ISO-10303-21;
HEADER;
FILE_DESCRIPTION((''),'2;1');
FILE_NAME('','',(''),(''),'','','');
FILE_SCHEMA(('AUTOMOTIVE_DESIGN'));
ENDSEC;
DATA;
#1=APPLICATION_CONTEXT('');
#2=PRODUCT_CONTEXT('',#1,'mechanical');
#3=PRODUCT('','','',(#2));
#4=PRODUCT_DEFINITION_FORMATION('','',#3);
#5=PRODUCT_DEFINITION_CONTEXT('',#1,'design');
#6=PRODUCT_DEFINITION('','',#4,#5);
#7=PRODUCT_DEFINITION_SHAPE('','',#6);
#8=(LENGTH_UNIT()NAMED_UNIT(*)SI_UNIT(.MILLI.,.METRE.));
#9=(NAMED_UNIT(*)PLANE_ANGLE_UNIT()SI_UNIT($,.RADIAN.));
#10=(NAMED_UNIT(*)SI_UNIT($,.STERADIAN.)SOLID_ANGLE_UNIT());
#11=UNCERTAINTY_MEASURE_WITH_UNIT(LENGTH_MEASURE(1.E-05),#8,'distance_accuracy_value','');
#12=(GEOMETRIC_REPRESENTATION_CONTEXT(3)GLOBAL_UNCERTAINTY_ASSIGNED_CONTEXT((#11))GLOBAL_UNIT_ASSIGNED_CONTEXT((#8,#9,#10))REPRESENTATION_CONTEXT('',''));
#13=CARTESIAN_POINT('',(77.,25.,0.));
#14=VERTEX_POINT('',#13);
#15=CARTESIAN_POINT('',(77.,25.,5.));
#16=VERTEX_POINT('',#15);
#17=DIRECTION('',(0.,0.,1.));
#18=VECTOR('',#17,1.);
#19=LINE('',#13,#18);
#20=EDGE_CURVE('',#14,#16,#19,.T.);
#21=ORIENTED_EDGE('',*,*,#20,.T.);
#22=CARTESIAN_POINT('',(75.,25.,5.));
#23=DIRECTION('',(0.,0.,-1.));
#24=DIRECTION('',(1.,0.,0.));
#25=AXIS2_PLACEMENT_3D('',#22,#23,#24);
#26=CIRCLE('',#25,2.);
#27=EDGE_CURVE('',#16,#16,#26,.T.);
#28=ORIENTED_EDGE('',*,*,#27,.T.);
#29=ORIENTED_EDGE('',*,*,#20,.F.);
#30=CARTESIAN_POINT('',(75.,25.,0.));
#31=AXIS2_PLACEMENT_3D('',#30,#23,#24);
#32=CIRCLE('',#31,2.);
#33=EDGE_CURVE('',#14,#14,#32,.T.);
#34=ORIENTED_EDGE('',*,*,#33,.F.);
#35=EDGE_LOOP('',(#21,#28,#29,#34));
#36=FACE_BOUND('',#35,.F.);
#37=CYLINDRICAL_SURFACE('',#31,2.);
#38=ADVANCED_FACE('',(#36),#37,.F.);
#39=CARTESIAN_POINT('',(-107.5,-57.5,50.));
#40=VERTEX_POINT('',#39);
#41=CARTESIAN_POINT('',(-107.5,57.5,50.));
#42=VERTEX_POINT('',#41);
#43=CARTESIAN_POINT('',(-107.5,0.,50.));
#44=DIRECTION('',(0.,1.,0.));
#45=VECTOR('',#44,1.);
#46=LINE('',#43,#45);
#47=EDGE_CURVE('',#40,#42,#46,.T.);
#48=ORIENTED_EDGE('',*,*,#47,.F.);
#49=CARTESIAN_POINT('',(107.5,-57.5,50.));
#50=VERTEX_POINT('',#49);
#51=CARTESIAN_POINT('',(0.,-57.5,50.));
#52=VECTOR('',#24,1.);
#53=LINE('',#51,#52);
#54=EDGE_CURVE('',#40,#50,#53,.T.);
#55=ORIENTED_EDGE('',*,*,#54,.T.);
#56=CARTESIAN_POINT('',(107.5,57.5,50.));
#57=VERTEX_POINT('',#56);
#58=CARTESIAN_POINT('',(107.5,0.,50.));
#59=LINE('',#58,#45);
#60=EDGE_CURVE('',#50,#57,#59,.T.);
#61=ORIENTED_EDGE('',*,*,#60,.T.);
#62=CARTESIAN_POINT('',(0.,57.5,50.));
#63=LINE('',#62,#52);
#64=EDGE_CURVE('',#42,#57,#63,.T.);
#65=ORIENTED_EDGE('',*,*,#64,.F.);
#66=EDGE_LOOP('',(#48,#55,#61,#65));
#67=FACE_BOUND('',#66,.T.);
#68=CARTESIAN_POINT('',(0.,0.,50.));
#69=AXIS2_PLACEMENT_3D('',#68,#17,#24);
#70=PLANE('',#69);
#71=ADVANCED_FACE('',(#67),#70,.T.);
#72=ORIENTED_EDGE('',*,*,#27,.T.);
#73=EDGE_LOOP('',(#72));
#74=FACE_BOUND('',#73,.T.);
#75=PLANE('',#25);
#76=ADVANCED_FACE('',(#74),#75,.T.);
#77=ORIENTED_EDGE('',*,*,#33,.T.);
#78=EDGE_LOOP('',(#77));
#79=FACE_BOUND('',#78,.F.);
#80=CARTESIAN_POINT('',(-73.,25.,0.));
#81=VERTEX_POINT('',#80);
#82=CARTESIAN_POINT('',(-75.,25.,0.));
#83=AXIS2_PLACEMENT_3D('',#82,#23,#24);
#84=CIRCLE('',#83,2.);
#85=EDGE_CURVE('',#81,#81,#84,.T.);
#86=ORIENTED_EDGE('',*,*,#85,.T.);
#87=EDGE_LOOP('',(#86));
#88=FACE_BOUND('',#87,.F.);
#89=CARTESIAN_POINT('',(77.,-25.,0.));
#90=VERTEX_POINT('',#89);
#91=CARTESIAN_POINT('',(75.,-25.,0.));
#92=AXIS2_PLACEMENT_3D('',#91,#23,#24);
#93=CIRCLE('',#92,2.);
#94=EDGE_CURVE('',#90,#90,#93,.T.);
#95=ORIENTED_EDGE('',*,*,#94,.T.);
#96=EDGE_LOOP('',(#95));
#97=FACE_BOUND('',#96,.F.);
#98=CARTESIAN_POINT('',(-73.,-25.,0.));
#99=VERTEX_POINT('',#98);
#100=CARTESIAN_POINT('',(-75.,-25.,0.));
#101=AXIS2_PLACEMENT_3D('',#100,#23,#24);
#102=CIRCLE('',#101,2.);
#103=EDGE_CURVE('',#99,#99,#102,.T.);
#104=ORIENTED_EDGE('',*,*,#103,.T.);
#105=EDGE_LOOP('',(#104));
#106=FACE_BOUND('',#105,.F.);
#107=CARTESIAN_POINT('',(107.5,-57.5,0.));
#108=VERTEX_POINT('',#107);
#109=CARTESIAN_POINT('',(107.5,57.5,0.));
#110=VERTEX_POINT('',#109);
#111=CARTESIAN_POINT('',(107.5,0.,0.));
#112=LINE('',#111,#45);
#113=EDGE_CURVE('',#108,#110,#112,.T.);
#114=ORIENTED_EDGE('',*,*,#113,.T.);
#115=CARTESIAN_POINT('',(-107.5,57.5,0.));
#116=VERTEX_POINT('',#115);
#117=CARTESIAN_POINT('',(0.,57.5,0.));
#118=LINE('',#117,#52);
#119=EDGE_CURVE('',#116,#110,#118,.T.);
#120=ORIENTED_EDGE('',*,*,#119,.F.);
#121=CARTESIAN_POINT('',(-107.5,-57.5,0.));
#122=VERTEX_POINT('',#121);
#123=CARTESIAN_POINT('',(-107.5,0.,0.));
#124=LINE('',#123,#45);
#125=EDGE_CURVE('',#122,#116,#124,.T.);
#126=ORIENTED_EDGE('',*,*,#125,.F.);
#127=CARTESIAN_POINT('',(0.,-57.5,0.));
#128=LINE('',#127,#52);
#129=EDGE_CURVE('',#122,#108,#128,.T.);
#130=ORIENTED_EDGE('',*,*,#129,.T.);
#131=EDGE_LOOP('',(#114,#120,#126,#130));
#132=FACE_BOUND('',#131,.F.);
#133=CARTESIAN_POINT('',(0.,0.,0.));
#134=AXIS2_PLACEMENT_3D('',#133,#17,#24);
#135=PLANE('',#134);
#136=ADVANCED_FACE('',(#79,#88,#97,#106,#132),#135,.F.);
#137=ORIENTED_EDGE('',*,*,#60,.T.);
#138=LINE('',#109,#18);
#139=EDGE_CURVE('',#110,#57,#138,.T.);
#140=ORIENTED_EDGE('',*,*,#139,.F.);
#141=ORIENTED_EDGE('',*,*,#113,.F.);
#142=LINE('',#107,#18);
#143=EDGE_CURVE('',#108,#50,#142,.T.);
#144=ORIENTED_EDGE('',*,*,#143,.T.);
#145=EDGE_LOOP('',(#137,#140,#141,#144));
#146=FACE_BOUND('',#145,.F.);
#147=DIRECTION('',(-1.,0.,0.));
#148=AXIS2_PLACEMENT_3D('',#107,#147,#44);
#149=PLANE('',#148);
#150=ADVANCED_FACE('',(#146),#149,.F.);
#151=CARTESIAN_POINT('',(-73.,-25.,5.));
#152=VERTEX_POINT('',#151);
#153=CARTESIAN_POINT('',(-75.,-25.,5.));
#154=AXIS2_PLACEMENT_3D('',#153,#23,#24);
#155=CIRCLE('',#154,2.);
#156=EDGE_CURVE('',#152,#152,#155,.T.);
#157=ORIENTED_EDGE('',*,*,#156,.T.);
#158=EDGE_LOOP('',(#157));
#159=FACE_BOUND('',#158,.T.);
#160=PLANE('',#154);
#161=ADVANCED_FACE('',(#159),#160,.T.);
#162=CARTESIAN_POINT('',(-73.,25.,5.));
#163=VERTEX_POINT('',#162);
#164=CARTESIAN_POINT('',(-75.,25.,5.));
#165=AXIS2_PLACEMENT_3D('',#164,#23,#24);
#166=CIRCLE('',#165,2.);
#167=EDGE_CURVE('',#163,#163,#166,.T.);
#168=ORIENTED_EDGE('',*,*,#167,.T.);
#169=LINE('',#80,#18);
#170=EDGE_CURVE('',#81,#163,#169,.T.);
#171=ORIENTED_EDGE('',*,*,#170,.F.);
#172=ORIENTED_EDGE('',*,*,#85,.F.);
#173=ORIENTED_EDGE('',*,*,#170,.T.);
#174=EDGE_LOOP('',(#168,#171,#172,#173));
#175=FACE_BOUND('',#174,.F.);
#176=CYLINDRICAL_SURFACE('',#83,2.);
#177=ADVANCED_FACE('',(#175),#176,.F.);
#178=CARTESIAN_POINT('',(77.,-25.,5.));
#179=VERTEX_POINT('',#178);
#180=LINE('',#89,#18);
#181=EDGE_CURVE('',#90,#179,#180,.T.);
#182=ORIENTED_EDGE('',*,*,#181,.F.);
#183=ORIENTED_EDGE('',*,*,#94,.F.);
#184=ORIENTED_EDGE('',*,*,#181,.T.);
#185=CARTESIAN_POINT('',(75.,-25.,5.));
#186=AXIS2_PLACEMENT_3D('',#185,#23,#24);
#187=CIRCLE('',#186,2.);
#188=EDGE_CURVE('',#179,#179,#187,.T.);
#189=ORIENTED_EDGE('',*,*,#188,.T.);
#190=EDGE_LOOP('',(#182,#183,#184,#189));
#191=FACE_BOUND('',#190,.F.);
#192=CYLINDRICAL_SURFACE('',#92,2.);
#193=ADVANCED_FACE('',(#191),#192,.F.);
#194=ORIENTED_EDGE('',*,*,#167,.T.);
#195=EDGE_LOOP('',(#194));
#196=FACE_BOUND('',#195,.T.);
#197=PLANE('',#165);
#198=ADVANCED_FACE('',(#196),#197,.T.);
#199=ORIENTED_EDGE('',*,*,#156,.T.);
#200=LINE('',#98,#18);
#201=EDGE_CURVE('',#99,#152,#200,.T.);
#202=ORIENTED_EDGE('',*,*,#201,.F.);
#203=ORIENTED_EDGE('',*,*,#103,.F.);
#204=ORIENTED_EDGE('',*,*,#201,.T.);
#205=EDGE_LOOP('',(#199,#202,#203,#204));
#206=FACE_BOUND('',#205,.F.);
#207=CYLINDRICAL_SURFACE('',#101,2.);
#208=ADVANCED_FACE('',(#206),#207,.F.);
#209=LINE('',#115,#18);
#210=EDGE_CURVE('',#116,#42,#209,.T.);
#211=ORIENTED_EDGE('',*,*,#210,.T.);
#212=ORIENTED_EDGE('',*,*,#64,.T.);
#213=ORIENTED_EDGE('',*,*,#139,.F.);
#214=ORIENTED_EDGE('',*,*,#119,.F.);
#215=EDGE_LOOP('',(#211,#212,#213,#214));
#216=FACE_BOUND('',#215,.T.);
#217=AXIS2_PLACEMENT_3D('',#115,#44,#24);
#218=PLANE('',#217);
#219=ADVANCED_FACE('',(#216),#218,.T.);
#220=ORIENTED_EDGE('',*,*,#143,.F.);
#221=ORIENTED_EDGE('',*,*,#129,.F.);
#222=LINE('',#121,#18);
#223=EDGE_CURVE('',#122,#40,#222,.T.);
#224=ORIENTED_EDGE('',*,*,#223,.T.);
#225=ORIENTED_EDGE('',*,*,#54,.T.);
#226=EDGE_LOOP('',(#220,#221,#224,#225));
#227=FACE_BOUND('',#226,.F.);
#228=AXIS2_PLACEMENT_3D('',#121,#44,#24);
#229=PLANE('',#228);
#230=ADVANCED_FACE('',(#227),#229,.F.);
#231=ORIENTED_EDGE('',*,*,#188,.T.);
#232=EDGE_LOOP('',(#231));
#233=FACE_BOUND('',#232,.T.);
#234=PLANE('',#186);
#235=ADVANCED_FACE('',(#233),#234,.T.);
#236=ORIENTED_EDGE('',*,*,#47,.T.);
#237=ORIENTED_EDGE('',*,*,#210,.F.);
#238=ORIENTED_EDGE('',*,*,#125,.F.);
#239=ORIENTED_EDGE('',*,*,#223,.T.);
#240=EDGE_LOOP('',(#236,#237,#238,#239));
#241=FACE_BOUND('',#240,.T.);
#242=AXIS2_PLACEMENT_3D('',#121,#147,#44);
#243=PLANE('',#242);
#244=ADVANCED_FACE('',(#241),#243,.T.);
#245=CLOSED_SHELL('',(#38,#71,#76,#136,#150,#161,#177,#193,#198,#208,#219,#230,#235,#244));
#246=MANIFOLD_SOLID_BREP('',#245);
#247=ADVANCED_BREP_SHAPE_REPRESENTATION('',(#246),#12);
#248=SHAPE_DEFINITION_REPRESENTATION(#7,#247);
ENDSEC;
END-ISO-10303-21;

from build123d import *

# Parameters (mm, degrees)
F0_W     = 215
F0_H     = 115
F1_DEPTH = 50
F2_R     = 2
F3_DEPTH = 5


with BuildPart() as f1:
    # F0 (on Top) → F1 (new body)
    with BuildSketch(Plane.XY):
        Rectangle(F0_W, F0_H)
    extrude(amount=F1_DEPTH)

    # F2 (on face) → F3 (cut)
    with BuildSketch(Plane(origin=(0, 0, 0), x_dir=(1, 0, 0), z_dir=(0, 0, -1))):
        with Locations((-75, 25)):
            Circle(F2_R)
        with Locations((-75, -25)):
            Circle(F2_R)
        with Locations((75, 25)):
            Circle(F2_R)
        with Locations((75, -25)):
            Circle(F2_R)
    extrude(amount=-F3_DEPTH, mode=Mode.SUBTRACT)


solid = f1.part
